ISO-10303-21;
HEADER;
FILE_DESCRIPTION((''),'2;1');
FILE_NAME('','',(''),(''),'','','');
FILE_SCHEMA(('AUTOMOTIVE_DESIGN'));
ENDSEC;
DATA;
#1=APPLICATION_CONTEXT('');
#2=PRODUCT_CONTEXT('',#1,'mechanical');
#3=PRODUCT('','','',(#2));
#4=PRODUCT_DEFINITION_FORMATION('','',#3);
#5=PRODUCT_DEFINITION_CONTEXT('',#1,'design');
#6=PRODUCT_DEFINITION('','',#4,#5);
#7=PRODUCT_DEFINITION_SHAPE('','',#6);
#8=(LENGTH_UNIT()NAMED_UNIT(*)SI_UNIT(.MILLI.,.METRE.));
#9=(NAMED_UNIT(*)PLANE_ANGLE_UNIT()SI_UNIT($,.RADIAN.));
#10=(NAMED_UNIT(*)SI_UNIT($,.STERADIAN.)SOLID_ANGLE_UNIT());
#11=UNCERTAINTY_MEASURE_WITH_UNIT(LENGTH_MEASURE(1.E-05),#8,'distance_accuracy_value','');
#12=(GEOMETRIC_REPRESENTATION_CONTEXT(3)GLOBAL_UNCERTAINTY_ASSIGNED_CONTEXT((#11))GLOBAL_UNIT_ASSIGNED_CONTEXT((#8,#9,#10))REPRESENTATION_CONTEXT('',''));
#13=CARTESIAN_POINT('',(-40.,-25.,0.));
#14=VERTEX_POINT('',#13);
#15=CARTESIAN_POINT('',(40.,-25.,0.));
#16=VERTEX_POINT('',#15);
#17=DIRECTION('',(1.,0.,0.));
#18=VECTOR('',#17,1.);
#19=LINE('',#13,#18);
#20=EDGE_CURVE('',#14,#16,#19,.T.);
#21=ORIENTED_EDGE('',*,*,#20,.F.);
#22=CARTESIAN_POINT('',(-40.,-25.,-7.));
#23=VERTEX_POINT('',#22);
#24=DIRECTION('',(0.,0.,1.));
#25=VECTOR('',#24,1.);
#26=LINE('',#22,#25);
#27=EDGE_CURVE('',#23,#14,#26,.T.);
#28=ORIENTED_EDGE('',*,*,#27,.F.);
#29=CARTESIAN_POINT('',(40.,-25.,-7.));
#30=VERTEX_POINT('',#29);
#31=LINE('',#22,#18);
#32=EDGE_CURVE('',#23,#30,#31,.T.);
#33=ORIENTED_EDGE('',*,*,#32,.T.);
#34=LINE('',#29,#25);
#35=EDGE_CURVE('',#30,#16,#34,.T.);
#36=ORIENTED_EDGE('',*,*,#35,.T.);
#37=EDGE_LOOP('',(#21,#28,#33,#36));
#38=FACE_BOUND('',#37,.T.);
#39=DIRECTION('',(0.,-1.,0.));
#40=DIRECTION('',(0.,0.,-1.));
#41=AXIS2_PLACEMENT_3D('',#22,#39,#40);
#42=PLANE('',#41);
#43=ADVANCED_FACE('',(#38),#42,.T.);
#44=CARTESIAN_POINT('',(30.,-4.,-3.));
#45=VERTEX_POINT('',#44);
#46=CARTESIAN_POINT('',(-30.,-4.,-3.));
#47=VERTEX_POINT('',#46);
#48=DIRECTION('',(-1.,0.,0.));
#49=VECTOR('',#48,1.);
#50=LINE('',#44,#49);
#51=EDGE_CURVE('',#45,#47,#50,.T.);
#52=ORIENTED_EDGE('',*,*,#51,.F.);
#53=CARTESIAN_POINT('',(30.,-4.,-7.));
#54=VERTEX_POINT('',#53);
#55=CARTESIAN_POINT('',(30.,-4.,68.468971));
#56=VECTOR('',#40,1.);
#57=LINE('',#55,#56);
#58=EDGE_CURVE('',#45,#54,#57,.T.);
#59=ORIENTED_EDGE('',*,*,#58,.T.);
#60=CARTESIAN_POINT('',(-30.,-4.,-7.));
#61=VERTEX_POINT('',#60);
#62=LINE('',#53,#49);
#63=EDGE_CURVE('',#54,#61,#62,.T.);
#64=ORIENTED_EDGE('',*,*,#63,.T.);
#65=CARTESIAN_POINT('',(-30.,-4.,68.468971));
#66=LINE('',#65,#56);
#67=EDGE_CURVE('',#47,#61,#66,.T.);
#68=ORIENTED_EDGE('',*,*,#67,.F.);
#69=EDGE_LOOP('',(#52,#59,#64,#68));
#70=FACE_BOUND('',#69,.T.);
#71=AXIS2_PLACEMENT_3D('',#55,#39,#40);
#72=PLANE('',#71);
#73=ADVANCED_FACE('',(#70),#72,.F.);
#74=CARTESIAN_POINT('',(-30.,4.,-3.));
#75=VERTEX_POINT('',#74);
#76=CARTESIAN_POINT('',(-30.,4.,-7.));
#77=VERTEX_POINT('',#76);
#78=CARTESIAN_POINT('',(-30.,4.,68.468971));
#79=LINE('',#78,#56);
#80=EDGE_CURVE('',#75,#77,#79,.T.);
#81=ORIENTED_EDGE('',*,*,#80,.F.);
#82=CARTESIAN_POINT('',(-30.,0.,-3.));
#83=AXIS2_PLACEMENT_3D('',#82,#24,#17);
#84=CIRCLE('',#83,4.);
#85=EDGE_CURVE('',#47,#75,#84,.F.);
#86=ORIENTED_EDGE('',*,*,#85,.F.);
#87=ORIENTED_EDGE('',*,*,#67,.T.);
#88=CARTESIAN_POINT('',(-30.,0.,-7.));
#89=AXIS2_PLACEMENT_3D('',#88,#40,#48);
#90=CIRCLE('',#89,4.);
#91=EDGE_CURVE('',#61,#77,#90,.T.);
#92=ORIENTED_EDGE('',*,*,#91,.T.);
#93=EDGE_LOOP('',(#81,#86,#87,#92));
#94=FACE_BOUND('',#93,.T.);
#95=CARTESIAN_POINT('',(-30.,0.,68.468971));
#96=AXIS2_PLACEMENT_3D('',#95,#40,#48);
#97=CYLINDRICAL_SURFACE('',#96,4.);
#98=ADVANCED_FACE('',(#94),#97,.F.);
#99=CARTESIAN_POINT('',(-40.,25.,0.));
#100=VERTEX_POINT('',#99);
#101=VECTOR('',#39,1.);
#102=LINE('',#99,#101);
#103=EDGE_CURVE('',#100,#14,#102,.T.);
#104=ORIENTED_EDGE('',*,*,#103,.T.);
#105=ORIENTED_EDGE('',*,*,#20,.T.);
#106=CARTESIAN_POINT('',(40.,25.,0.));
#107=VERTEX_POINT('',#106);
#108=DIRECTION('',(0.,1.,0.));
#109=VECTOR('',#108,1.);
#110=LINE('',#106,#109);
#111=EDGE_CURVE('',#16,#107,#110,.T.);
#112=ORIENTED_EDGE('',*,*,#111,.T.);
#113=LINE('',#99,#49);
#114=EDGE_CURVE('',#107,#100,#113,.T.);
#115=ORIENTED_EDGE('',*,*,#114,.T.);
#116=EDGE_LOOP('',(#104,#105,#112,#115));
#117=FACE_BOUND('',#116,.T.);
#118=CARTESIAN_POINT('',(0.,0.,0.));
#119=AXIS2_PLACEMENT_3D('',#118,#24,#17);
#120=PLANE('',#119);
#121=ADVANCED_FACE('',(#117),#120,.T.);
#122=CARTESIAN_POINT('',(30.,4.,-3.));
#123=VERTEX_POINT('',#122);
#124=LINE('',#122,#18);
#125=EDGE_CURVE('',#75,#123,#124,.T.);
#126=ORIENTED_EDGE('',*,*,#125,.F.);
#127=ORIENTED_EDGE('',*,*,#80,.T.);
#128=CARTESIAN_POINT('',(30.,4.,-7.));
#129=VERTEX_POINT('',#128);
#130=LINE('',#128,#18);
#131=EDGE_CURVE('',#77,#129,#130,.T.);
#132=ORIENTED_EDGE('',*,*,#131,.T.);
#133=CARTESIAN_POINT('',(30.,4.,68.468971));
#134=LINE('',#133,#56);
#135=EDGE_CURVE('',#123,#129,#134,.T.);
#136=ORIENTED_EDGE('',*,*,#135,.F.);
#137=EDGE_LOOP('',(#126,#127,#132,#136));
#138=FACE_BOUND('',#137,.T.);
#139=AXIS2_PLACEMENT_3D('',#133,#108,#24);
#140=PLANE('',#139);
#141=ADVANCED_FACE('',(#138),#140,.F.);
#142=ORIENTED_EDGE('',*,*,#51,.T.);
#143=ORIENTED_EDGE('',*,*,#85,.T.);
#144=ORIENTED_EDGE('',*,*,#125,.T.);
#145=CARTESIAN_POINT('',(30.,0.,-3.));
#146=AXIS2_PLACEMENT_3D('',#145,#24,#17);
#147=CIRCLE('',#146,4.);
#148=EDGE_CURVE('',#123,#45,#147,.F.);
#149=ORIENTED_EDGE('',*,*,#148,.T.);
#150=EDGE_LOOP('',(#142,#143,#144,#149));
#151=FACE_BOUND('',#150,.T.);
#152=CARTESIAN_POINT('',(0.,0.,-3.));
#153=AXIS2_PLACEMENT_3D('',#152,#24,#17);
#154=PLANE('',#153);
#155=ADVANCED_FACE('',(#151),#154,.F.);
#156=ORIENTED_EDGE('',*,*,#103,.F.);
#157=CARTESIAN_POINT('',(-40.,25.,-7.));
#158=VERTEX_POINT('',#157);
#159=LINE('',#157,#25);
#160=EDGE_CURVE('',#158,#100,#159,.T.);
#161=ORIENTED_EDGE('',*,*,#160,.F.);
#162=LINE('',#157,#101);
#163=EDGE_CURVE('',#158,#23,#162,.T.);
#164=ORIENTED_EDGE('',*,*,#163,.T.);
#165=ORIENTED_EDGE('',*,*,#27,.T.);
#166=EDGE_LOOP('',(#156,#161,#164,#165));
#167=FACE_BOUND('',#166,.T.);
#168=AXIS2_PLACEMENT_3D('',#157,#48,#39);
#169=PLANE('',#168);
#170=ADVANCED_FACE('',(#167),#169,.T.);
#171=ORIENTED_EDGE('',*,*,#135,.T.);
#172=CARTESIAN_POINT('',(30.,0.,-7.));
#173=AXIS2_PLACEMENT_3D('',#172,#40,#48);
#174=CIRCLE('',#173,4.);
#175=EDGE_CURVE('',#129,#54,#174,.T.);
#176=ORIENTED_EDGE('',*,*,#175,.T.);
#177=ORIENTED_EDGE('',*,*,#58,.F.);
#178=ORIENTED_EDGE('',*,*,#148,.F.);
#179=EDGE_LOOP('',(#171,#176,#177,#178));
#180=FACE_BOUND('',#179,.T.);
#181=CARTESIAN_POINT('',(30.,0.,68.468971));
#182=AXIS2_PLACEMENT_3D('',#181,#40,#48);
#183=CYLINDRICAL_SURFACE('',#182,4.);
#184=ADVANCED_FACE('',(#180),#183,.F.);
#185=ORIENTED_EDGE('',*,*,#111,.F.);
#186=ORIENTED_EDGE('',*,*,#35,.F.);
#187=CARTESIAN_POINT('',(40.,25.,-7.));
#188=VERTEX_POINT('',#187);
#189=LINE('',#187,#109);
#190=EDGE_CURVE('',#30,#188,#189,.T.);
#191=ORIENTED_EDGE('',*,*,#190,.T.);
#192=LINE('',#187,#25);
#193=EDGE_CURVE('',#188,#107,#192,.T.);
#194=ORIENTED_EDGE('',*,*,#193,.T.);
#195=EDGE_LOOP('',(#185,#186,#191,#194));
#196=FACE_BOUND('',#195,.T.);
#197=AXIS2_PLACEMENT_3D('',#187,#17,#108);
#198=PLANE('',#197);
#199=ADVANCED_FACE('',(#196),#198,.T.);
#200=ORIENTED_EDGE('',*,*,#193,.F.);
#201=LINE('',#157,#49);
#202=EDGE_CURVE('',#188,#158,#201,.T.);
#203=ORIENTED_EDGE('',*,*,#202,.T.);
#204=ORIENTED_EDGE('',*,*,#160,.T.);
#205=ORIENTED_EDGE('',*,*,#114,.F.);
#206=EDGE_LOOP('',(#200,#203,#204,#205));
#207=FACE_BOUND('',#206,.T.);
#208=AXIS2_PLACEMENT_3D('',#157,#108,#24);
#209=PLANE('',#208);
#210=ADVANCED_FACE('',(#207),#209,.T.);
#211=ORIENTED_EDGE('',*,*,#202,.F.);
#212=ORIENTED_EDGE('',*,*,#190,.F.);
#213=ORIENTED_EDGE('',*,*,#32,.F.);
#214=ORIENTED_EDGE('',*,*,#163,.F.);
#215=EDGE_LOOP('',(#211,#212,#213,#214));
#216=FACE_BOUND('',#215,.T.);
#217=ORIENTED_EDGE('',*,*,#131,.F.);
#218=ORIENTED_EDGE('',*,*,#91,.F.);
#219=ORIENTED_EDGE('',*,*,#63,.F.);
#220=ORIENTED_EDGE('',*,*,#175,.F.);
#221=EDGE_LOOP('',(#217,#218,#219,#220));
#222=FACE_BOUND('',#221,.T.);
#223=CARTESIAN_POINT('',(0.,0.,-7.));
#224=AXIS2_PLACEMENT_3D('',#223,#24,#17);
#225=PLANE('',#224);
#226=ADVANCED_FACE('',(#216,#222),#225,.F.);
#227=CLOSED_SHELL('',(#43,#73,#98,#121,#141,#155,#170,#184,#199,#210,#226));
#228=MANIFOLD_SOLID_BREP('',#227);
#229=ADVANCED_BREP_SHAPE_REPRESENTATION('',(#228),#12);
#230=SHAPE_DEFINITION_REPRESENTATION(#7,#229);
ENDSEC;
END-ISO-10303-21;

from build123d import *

# Parameters (mm, degrees)
SKETCH4_W           = 80
SKETCH4_H           = 50
BOSS_EXTRUDE2_DEPTH = 7
CUT_EXTRUDE2_DEPTH  = 4


with BuildPart() as part:
    # Sketch4 → Boss-Extrude2 (new body)
    with BuildSketch(Plane.XY):
        Rectangle(SKETCH4_W, SKETCH4_H)
    extrude(amount=-BOSS_EXTRUDE2_DEPTH)

    # Sketch8 → Cut-Extrude2 (cut)
    with BuildSketch(Plane(origin=(0, 0, -7), x_dir=(-1, 0, 0), z_dir=(0, 0, -1))):
        with BuildLine():
            Line((-30, 4), (30, 4))
            ThreePointArc((30, 4), (34, 0), (30, -4))
            Line((30, -4), (-30, -4))
            ThreePointArc((-30, -4), (-34, 0), (-30, 4))
        make_face()
    extrude(amount=-CUT_EXTRUDE2_DEPTH, mode=Mode.SUBTRACT)


solid = part.part
